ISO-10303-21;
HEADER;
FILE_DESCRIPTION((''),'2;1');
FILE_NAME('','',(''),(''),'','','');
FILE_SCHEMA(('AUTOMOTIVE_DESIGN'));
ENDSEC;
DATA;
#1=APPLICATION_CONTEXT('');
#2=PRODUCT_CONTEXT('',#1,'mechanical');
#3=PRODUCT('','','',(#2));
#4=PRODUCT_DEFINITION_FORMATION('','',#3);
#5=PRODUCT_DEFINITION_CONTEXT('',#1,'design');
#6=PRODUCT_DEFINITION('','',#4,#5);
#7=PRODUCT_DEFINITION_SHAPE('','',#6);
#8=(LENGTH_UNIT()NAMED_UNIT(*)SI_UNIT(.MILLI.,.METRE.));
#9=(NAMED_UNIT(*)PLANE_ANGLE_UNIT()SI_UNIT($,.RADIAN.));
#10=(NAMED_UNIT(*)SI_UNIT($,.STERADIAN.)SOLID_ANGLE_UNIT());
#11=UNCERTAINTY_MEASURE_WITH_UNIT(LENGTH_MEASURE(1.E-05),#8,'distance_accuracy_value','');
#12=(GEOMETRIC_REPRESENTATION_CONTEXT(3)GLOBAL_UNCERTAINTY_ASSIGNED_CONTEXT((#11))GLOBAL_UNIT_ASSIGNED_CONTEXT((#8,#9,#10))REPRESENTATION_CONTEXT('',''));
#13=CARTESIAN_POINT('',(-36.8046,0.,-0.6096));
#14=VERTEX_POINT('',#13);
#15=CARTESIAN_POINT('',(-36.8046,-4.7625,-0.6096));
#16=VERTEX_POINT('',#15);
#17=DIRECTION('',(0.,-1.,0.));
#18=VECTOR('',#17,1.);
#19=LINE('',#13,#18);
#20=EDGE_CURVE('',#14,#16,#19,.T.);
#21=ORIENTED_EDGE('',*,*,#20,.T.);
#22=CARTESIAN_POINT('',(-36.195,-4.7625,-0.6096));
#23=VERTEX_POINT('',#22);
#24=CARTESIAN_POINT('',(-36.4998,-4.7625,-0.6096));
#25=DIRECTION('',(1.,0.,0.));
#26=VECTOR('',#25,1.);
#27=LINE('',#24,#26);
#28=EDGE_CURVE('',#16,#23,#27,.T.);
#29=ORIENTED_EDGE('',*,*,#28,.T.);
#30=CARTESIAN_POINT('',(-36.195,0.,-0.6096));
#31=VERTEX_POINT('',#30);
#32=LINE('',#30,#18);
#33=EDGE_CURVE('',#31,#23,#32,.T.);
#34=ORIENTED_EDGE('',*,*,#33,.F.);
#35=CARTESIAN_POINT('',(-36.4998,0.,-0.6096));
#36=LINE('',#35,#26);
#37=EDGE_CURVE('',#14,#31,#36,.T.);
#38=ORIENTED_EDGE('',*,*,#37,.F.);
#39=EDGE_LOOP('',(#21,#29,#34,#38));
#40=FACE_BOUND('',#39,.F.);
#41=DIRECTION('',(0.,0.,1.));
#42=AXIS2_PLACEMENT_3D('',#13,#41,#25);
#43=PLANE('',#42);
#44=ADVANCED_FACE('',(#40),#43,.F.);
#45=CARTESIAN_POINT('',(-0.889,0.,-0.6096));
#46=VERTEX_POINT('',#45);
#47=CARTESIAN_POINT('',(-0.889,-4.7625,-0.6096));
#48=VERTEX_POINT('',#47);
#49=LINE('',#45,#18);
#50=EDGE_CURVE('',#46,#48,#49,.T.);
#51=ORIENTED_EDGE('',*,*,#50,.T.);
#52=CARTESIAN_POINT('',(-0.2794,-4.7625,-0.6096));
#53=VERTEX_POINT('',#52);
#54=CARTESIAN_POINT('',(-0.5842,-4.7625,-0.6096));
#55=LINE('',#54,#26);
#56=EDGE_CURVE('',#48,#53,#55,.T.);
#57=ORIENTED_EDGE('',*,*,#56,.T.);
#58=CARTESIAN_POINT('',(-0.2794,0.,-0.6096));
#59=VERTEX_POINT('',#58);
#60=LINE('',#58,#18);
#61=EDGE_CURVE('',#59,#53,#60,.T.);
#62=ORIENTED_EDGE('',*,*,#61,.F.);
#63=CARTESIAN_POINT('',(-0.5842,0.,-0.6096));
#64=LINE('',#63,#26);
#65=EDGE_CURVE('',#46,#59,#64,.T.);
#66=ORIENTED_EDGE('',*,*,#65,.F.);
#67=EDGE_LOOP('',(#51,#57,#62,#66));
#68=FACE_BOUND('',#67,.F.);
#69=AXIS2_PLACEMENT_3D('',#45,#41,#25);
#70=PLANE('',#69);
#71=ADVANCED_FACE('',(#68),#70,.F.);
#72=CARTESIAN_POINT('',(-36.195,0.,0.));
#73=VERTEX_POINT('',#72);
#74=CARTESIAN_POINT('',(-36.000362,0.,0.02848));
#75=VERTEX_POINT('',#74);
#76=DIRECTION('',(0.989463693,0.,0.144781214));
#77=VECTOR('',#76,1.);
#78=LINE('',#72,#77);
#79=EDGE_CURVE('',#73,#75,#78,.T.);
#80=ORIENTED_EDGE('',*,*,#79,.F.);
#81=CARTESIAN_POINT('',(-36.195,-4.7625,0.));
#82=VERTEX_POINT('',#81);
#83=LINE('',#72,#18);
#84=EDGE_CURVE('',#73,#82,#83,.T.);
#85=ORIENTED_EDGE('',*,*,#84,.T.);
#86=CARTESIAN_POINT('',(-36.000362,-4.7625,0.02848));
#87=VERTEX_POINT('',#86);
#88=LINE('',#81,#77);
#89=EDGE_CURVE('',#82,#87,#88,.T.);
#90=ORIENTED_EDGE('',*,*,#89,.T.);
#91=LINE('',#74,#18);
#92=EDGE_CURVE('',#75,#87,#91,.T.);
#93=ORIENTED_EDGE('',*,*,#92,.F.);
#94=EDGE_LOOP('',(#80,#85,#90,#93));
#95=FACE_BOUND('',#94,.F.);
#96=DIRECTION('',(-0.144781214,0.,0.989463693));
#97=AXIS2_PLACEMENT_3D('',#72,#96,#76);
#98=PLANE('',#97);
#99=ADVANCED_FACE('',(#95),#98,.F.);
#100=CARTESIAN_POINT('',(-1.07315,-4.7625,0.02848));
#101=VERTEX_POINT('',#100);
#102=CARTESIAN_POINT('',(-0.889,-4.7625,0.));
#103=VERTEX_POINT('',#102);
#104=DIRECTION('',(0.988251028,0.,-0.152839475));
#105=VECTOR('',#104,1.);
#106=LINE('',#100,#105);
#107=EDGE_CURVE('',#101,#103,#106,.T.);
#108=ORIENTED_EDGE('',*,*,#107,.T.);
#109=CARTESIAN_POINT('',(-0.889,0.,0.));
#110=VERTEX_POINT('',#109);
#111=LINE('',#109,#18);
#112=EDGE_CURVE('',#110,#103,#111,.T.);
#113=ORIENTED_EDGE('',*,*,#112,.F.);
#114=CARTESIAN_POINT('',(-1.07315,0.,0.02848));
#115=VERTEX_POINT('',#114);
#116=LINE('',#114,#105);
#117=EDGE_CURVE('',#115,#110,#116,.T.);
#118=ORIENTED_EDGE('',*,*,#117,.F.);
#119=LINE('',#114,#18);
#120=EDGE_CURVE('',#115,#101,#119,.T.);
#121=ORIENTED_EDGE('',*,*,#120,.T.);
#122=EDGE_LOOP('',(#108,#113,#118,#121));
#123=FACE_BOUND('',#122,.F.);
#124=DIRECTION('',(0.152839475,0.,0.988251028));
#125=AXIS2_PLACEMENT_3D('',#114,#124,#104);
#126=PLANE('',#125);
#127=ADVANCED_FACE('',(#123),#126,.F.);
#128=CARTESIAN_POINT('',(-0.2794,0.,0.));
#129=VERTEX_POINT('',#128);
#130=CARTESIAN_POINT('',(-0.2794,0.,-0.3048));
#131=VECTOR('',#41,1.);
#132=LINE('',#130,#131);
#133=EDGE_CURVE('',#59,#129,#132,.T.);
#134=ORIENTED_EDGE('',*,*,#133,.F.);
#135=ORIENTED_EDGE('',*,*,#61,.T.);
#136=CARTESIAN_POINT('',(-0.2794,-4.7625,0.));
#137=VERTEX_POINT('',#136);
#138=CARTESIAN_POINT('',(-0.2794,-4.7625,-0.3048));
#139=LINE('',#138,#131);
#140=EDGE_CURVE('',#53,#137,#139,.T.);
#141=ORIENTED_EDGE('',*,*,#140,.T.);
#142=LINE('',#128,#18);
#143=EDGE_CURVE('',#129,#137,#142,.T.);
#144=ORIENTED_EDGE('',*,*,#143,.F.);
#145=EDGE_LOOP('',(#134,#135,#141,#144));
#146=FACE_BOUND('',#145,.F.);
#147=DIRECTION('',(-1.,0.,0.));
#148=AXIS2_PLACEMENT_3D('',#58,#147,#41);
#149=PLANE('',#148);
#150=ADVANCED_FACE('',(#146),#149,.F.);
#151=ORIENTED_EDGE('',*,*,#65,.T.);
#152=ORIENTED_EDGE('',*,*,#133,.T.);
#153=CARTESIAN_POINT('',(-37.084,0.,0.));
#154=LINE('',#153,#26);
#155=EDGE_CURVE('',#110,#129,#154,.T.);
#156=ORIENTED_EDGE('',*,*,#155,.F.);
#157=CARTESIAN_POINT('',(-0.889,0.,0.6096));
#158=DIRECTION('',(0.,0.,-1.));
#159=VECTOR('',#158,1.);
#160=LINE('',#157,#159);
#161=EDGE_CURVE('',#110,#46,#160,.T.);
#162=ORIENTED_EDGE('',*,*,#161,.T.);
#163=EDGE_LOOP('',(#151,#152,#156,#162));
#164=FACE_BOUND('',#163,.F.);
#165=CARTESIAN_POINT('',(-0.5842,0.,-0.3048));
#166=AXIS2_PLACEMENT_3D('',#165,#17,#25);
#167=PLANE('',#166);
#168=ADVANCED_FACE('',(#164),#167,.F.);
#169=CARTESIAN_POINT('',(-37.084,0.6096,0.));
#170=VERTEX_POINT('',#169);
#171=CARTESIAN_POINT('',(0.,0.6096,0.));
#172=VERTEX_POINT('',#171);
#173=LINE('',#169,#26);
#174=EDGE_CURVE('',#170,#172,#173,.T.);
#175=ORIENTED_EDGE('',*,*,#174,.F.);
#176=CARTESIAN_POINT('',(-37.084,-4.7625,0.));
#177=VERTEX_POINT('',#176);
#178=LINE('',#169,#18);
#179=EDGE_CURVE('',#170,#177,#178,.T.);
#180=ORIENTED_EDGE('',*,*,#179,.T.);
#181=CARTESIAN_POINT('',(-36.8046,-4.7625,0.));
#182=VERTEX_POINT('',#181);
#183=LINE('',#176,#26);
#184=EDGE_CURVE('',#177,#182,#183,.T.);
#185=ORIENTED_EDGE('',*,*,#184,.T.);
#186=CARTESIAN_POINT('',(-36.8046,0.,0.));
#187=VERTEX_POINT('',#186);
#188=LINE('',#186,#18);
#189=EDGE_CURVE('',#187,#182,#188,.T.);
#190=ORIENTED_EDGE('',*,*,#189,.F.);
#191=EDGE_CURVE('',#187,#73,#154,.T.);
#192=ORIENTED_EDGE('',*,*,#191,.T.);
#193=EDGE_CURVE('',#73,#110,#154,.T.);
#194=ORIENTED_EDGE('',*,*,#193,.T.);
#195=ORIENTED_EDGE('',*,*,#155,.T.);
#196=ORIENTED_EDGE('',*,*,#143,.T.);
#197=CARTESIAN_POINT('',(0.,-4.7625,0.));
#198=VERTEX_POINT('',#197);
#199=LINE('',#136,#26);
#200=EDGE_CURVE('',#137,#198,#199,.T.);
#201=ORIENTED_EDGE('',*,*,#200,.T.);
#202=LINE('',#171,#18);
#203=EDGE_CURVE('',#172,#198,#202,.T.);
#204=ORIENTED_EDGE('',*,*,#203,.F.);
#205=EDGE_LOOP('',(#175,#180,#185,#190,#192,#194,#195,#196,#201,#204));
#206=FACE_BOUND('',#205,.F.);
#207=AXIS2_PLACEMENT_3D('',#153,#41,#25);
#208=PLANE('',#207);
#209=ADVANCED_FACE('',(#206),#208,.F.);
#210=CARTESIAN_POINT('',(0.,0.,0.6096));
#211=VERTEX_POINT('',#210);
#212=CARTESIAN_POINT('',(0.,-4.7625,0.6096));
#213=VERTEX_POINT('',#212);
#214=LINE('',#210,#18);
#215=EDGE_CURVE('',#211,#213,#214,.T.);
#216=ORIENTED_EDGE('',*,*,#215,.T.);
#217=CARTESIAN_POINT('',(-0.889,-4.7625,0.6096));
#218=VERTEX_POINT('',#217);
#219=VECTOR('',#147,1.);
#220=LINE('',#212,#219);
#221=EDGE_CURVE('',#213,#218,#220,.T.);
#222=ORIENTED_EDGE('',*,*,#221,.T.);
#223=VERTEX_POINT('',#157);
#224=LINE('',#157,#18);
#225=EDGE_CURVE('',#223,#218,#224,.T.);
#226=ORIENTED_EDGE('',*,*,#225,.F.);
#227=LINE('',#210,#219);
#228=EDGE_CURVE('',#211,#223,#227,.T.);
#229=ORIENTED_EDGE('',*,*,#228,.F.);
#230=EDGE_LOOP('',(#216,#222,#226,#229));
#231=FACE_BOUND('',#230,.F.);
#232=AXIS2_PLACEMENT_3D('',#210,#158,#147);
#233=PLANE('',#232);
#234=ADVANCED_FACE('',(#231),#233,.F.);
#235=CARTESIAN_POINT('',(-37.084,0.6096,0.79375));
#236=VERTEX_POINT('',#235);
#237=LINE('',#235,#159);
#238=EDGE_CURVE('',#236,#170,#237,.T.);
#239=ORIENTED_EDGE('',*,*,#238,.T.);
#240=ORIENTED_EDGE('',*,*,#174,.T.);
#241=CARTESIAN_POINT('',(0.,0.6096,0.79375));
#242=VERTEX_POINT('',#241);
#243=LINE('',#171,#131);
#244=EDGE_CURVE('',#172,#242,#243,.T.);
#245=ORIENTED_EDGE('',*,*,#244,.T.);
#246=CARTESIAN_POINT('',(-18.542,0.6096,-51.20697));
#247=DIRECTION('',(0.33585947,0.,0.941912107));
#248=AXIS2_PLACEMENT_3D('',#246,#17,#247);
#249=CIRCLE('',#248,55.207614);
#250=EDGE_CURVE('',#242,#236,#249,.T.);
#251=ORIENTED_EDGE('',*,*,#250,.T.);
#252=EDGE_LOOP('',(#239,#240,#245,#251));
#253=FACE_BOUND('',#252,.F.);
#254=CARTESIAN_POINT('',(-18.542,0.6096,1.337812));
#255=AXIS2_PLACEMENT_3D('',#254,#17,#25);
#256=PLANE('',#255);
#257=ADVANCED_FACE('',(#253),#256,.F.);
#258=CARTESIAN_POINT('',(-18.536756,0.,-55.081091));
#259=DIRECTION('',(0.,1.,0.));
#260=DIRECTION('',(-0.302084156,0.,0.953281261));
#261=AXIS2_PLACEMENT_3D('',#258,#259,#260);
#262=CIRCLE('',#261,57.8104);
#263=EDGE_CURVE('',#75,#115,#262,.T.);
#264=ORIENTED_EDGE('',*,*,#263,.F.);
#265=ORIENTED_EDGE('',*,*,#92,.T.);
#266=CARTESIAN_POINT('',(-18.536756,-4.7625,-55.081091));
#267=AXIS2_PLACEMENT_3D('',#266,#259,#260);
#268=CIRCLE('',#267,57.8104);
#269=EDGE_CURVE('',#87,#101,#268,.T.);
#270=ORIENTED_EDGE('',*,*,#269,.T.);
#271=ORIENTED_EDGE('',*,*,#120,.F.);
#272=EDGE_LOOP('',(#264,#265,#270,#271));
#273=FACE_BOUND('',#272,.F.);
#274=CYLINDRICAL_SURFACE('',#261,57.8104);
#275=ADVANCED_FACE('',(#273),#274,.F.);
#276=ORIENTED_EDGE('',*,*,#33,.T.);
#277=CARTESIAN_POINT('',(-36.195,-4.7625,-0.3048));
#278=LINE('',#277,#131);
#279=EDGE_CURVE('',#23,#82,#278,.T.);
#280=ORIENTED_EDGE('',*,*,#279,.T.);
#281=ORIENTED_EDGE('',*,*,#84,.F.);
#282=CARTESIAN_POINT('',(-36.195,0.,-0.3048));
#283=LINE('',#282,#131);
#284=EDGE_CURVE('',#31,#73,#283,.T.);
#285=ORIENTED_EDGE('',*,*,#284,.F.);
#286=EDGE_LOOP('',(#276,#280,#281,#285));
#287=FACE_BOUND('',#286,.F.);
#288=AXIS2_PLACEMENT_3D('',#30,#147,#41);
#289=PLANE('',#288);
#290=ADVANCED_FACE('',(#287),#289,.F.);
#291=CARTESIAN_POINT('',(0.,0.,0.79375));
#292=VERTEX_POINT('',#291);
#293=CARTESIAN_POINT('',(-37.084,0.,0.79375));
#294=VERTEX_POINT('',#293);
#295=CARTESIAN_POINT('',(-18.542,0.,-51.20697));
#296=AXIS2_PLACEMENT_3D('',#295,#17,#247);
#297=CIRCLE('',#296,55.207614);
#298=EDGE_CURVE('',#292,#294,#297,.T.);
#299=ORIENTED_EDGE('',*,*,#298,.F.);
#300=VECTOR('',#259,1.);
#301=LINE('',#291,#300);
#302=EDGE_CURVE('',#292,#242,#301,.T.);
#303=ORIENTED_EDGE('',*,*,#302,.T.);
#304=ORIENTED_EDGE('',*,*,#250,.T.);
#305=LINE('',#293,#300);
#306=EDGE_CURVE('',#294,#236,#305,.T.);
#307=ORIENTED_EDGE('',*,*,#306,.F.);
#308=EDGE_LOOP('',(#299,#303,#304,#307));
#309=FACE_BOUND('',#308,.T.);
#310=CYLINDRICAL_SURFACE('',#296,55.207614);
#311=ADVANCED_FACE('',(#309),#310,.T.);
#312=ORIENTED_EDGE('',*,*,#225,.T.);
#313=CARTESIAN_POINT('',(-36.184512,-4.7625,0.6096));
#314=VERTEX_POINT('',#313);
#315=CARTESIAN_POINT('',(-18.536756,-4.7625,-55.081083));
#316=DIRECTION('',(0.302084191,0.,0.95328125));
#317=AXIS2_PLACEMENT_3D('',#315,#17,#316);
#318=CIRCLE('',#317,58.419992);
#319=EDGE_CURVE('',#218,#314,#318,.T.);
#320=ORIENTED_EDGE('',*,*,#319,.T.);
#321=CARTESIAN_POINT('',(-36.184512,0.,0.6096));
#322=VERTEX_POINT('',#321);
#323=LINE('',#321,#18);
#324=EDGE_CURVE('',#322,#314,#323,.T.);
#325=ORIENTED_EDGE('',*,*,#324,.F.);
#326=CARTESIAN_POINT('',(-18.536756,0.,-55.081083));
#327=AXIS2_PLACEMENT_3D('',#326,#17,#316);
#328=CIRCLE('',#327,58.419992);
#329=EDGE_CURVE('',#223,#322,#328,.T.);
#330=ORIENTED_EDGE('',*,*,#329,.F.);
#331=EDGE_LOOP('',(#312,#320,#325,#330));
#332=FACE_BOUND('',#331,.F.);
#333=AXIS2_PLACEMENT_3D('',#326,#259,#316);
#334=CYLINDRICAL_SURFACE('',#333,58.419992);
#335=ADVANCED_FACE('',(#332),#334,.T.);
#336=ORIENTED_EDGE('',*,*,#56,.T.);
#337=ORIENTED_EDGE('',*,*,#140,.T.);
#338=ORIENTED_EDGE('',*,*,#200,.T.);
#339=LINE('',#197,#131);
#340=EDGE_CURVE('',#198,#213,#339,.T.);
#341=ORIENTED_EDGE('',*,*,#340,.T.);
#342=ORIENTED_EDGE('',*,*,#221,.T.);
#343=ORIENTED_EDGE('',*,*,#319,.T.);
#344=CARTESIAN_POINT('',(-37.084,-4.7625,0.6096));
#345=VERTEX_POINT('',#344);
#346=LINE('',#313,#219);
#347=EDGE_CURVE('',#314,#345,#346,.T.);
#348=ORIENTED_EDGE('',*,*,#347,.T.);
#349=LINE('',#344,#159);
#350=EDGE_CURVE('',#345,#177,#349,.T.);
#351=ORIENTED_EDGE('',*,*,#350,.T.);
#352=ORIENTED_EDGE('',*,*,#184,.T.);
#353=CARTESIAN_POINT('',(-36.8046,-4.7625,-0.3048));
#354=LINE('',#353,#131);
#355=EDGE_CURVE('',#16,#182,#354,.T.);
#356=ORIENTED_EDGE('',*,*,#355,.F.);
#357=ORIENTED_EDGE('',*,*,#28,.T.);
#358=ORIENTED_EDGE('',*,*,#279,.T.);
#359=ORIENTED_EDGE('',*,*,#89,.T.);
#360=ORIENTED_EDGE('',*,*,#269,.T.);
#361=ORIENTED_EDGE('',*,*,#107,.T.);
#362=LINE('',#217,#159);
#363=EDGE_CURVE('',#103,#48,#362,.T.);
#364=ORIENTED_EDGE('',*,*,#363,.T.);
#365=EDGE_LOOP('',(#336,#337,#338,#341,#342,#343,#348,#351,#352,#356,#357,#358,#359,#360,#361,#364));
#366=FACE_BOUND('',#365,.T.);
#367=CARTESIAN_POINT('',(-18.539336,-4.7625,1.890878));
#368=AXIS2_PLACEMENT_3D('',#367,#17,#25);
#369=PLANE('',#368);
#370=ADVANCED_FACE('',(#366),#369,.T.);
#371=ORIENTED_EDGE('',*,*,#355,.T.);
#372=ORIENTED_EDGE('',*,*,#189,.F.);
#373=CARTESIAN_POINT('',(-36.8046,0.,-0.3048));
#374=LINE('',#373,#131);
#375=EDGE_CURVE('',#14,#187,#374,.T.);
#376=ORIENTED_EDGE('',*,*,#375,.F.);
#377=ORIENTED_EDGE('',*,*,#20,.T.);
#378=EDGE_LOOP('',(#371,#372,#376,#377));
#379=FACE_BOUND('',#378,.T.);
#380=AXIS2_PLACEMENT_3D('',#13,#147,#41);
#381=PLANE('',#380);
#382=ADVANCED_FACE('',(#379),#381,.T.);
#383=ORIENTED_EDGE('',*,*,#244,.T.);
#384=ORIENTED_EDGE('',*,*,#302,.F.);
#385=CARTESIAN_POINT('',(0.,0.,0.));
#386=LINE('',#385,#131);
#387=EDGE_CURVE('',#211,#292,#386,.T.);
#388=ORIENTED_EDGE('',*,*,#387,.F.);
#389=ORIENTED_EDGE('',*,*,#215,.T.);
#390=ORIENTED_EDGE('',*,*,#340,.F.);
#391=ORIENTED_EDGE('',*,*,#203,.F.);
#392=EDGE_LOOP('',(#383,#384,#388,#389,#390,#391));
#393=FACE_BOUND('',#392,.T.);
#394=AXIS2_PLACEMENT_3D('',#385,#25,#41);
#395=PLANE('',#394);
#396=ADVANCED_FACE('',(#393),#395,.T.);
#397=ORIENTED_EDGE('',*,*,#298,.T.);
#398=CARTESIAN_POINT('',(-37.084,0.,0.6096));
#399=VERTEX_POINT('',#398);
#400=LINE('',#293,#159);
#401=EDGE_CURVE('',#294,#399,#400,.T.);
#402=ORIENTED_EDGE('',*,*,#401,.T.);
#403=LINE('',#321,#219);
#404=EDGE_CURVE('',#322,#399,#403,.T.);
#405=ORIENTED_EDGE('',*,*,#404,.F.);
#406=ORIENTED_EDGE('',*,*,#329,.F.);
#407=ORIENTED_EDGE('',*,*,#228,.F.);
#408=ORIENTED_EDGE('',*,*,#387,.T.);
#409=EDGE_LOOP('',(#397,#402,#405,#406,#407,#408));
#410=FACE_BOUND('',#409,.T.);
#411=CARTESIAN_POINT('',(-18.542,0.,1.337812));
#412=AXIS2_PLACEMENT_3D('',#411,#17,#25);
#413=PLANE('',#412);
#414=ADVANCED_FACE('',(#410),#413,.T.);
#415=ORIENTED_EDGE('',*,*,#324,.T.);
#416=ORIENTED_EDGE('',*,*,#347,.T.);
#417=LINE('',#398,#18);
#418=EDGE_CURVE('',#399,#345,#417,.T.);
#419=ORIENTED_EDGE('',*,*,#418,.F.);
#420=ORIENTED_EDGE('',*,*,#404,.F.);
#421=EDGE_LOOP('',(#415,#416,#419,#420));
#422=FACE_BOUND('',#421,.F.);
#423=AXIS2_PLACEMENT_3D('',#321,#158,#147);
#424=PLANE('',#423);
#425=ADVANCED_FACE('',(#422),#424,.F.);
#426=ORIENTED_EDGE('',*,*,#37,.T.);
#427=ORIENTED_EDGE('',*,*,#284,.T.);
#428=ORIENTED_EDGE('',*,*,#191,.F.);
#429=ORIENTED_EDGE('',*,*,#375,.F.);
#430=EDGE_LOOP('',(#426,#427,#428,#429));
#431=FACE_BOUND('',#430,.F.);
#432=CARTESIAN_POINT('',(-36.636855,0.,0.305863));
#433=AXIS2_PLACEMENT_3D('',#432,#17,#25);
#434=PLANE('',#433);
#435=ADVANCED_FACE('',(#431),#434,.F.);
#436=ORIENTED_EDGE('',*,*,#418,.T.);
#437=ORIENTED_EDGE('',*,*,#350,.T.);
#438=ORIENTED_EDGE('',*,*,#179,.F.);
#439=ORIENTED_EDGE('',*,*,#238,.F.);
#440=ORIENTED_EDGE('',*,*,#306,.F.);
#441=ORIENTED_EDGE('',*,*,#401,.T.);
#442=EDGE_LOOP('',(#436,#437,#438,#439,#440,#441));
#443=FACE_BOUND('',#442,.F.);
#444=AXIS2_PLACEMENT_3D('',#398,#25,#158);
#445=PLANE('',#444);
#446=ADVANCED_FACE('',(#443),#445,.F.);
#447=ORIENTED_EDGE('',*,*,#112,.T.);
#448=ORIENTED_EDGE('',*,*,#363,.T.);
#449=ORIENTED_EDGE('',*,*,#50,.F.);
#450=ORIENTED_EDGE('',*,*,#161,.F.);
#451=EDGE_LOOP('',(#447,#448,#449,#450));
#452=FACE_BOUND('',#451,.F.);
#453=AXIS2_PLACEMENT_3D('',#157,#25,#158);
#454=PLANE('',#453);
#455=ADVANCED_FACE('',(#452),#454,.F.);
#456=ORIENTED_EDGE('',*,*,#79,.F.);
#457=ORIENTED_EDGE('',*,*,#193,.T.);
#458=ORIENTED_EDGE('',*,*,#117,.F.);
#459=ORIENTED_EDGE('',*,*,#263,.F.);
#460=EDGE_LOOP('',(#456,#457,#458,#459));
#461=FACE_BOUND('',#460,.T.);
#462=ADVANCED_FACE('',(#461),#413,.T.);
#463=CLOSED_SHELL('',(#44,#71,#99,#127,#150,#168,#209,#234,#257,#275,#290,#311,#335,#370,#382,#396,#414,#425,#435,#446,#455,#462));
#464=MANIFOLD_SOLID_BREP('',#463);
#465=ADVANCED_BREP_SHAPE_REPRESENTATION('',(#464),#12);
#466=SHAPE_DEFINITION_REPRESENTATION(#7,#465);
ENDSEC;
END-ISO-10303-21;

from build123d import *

# Parameters (mm, degrees)
F1_DEPTH = 0.6096
F2_W     = 0.6096
F2_H     = 0.6096
F3_DEPTH = 4.7625
F5_DEPTH = 4.7625


with BuildPart() as f1:
    # F0 (on Front) → F1 (new body)
    with BuildSketch(Plane.XZ):
        with BuildLine():
            Line((-37.084, 0), (0, 0))
            Line((0, 0), (0, 0.79375))
            ThreePointArc((0, 0.79375), (-18.542, 4.000644), (-37.084, 0.79375))
            Line((-37.084, 0.79375), (-37.084, 0))
        make_face()
    extrude(amount=-F1_DEPTH)

    # F2 (on face) → F3 (join)
    with BuildSketch(Plane.XZ):
        Polygon((-37.084, 0.6096), (-37.084, 0), (-36.8046, 0), (-36.195, 0), (-36.184512, 0.6096), align=None)
        with Locations((-36.4998, -0.3048)):
            Rectangle(F2_W, F2_H)
        with Locations((-0.5842, -0.3048)):
            Rectangle(F2_W, F2_H)
        Polygon((-0.889, 0.6096), (-0.889, 0), (-0.2794, 0), (0, 0), (0, 0.6096), align=None)
    extrude(amount=F3_DEPTH)

    # F4 (on face) → F5 (join)
    with BuildSketch(Plane.XZ):
        with BuildLine():
            Line((-0.889, 0), (-0.889, 0.6096))
            ThreePointArc((-0.889, 0.6096), (-18.536756, 3.338909), (-36.184512, 0.6096))
            Line((-36.184512, 0.6096), (-36.195, 0))
            Line((-36.195, 0), (-36.000362, 0.02848))
            ThreePointArc((-36.000362, 0.02848), (-18.536756, 2.729309), (-1.07315, 0.02848))
            Line((-1.07315, 0.02848), (-0.889, 0))
        make_face()
    extrude(amount=F5_DEPTH)


solid = f1.part
